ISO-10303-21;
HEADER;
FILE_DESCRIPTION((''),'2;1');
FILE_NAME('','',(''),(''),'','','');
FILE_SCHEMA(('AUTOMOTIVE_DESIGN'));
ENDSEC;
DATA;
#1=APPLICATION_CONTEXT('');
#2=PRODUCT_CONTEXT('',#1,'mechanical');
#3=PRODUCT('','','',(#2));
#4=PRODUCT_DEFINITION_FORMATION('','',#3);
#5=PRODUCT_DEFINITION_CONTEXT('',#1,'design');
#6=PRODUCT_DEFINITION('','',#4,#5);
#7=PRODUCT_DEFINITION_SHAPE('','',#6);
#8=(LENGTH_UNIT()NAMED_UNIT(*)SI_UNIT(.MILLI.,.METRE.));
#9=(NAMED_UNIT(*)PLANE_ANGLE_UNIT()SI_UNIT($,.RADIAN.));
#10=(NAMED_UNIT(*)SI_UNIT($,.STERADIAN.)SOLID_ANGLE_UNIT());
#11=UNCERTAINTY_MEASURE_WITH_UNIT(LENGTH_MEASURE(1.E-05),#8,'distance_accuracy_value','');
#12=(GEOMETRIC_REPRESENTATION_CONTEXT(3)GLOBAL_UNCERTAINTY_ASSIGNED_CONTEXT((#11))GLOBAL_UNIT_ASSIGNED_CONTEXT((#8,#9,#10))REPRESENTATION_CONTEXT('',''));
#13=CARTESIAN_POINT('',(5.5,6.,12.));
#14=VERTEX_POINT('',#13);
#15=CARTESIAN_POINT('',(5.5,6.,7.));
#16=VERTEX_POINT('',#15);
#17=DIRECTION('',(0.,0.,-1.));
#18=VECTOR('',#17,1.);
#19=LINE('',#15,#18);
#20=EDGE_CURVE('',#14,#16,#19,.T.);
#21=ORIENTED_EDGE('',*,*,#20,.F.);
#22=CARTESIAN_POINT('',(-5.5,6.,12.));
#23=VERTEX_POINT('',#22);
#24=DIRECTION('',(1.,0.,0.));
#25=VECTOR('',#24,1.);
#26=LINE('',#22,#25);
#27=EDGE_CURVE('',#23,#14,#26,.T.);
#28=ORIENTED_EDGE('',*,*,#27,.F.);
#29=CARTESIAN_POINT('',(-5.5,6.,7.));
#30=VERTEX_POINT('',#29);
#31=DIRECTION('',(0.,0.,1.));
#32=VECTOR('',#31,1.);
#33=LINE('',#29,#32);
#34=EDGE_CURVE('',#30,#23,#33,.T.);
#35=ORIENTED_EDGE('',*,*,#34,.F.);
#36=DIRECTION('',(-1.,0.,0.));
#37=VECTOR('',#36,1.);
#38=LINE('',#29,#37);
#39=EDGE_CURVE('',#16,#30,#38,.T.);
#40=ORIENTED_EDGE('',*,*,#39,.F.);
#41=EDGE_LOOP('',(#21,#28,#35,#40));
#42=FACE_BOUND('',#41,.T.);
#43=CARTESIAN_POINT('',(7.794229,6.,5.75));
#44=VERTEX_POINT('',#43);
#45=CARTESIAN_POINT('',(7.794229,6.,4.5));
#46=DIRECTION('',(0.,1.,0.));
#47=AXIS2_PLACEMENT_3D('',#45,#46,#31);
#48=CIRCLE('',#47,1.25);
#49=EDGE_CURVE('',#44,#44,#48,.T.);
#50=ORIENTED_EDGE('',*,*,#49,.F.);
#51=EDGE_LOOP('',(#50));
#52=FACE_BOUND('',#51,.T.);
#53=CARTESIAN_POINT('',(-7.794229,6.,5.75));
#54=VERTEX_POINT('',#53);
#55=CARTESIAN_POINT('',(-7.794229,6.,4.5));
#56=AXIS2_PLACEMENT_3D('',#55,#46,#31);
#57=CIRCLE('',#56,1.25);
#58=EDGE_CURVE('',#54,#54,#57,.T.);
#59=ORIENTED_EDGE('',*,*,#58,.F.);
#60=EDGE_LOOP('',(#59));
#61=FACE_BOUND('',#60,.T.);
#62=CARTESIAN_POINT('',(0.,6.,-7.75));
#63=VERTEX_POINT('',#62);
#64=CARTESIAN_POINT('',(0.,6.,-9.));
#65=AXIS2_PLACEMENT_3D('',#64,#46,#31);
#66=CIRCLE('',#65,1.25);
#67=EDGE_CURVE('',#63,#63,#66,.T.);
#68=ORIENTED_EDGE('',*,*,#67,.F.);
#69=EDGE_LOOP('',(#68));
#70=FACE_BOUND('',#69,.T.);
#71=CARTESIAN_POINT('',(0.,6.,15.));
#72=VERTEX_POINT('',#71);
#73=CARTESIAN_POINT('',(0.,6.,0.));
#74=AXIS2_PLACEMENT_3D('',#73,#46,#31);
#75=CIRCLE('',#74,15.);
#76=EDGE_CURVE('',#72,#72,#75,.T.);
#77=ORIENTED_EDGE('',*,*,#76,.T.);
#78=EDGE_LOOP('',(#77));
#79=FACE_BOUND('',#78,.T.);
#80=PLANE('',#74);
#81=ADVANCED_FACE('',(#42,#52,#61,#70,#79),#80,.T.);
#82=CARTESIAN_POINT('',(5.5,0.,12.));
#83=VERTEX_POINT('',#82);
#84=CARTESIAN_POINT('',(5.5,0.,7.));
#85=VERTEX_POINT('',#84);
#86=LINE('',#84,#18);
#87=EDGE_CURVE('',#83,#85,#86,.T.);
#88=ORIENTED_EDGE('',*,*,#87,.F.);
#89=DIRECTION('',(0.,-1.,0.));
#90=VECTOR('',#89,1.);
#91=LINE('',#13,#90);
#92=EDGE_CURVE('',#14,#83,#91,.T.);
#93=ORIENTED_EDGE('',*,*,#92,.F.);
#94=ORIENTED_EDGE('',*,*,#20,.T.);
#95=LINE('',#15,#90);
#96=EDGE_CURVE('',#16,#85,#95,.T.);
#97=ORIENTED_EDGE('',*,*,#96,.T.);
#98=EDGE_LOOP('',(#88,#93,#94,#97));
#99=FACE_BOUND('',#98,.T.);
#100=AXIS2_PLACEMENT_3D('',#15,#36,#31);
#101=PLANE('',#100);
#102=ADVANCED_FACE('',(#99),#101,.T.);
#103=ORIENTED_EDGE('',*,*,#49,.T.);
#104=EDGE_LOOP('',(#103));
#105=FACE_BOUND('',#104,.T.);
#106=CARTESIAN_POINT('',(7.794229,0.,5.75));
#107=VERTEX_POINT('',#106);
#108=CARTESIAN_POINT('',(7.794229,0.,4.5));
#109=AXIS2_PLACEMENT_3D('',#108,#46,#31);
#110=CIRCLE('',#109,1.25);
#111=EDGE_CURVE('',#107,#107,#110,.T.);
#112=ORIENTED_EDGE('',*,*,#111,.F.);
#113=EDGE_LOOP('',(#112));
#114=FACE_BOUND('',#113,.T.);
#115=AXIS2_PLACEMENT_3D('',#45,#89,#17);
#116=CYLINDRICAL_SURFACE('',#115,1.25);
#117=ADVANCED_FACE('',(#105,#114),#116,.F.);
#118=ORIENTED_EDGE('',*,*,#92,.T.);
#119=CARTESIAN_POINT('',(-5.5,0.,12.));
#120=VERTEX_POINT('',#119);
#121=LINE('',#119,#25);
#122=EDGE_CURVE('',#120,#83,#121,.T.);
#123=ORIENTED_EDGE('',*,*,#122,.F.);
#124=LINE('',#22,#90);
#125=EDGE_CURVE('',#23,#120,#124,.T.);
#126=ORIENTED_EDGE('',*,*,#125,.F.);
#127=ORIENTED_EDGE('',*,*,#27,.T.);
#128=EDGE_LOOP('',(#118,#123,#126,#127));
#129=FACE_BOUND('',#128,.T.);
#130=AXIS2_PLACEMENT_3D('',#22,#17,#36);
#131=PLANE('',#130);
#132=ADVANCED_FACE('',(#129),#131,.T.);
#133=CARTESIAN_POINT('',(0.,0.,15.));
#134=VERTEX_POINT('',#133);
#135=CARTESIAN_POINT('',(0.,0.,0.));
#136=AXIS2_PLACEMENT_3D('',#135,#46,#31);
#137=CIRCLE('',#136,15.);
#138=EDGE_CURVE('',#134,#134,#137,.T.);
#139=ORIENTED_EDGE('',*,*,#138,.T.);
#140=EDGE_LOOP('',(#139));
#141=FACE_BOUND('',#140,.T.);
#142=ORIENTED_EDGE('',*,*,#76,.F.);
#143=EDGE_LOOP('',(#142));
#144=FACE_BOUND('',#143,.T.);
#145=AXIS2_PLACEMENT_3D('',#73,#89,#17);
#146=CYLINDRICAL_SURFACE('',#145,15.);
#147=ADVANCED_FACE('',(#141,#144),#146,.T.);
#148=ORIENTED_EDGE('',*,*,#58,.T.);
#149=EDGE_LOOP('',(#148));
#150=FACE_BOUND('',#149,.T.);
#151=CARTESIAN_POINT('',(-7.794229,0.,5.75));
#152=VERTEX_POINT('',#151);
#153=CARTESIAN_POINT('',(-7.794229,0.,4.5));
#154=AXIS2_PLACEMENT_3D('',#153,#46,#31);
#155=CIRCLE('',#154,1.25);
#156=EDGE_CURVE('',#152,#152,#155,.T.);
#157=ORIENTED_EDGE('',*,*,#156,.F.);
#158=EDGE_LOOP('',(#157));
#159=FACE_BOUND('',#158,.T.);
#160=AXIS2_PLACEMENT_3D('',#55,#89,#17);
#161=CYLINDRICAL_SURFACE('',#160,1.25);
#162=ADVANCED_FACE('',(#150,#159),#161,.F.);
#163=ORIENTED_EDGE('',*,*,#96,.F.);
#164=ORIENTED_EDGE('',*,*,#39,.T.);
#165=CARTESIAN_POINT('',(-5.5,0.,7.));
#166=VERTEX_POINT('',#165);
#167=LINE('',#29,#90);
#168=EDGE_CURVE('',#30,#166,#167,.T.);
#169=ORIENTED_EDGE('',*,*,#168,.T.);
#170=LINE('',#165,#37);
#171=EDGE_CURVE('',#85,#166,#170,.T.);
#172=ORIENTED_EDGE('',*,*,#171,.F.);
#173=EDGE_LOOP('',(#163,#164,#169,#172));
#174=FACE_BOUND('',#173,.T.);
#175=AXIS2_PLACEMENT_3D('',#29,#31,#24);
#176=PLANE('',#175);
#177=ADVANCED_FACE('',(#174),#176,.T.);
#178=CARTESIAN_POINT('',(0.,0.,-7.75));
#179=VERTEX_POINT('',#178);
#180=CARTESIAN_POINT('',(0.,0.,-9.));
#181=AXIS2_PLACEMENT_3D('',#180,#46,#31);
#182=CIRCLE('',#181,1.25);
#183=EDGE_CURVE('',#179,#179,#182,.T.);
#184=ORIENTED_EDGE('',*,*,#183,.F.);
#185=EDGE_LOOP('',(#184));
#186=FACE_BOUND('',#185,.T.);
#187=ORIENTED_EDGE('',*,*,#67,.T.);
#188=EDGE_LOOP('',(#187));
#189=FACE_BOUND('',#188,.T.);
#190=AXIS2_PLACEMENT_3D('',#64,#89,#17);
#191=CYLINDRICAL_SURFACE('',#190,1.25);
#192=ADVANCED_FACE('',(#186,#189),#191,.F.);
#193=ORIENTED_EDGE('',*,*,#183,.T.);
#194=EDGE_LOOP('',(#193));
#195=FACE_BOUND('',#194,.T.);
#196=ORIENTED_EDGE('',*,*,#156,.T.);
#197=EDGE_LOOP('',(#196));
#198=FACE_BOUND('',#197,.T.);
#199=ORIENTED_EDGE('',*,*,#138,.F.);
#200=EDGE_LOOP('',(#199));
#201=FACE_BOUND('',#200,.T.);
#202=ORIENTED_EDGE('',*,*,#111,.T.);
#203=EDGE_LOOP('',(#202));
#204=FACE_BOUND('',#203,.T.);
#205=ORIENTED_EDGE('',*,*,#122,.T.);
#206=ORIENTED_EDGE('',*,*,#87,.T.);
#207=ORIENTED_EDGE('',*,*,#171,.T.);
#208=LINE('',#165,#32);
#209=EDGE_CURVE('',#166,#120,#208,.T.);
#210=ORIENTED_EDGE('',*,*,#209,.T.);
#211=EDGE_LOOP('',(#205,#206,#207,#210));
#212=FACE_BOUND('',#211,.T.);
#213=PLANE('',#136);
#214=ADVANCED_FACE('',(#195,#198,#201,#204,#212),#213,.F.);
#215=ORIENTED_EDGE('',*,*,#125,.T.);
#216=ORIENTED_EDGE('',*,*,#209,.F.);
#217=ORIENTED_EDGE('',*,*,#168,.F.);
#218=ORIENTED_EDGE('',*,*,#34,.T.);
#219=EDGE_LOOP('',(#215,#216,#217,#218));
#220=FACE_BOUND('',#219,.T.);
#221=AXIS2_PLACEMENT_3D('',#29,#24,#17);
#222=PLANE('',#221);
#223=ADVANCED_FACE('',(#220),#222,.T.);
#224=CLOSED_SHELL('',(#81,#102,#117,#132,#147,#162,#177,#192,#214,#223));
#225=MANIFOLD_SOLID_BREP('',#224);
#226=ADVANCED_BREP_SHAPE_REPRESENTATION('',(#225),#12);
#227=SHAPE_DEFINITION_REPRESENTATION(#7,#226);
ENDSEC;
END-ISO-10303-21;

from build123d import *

# Parameters (mm, degrees)
SKETCH_1_R      = 15
SKETCH_1_R_2    = 1.25
SKETCH_1_W      = 11
SKETCH_1_H      = 5
EXTRUDE_1_DEPTH = 6


with BuildPart() as part:
    # 草图1 → 凸台-拉伸1 (new body)
    with BuildSketch(Plane(origin=(0, 0, 0), x_dir=(1, 0, 0), z_dir=(0, 1, 0))):
        with Locations(Location((0, 0, 0), (0, 0, 270))):
            Circle(SKETCH_1_R)
        with Locations(Location((0, 9, 0), (0, 0, 270))):
            Circle(SKETCH_1_R_2, mode=Mode.SUBTRACT)
        with Locations(Location((7.794228634, -4.5, 0), (0, 0, 270))):
            Circle(SKETCH_1_R_2, mode=Mode.SUBTRACT)
        with Locations(Location((-7.794228634, -4.5, 0), (0, 0, 270))):
            Circle(SKETCH_1_R_2, mode=Mode.SUBTRACT)
        with Locations((0, -9.5)):
            Rectangle(SKETCH_1_W, SKETCH_1_H, mode=Mode.SUBTRACT)
    extrude(amount=EXTRUDE_1_DEPTH)


solid = part.part
